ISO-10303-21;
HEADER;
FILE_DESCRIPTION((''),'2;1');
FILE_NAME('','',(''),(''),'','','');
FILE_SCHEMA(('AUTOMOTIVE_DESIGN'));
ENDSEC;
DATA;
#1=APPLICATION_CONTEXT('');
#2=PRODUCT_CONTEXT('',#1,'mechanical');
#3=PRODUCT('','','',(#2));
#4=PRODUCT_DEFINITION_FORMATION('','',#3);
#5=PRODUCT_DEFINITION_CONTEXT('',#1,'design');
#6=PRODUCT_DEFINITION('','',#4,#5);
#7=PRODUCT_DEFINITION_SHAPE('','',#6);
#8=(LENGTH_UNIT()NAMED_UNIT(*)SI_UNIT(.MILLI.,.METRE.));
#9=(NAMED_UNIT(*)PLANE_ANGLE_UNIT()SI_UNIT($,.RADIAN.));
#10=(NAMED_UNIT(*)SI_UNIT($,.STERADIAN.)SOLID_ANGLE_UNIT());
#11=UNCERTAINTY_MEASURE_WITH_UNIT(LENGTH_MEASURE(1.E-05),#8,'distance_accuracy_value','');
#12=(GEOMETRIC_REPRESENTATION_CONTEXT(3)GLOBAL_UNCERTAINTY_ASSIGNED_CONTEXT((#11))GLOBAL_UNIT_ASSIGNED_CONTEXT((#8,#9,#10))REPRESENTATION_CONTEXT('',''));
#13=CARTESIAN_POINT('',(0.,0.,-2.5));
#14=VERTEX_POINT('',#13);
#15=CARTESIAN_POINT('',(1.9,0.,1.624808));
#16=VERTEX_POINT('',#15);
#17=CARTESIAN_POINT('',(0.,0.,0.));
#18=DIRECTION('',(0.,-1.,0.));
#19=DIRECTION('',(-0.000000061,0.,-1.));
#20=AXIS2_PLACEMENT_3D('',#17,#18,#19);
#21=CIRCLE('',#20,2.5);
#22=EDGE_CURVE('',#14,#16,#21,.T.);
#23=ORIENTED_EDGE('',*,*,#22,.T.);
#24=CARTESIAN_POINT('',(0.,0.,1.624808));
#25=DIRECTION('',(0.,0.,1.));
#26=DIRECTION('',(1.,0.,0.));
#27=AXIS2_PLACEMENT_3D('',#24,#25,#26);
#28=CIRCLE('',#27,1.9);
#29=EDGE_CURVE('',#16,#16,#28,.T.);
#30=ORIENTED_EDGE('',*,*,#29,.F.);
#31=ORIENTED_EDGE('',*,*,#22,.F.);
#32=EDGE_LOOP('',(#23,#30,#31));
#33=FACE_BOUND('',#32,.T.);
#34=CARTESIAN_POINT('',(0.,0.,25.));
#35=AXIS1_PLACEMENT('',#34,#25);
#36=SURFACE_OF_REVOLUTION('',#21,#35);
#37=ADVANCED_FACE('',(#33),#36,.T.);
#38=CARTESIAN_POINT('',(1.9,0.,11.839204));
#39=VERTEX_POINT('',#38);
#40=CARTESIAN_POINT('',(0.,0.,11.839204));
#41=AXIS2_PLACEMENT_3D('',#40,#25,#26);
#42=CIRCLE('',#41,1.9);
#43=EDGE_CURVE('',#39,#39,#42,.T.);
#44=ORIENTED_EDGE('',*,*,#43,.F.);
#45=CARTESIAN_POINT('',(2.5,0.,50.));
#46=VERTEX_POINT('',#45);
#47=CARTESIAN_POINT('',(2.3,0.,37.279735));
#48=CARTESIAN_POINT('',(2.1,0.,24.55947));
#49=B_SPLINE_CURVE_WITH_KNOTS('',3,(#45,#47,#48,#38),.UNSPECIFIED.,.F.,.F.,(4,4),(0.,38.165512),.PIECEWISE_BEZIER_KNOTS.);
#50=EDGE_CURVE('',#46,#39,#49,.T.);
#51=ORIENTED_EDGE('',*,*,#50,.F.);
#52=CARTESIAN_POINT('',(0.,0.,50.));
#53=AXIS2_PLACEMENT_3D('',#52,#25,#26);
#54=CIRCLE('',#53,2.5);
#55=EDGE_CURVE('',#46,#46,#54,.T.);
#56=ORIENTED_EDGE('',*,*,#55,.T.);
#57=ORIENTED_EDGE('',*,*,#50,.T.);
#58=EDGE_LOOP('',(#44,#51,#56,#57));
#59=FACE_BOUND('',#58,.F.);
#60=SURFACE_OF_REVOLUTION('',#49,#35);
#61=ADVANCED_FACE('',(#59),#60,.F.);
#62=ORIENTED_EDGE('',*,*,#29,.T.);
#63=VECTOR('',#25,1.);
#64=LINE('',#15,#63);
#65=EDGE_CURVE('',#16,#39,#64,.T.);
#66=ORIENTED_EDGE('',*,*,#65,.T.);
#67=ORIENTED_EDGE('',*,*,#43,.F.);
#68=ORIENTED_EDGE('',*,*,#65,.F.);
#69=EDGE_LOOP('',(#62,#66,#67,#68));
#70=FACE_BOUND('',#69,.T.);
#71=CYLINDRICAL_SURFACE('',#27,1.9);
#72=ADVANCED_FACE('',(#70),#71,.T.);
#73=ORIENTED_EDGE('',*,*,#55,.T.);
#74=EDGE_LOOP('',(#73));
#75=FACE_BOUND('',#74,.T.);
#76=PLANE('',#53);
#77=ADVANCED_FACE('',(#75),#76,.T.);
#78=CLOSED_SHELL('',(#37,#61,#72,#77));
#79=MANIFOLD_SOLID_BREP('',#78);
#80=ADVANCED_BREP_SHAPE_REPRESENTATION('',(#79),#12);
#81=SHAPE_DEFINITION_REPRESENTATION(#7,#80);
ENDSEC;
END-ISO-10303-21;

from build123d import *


with BuildPart() as f1:
    # F0 (on Front) → F1 (revolve)
    with BuildSketch(Plane.XZ):
        with BuildLine():
            Line((0, 50), (0, 0))
            Line((0, 0), (0, -2.5))
            ThreePointArc((0, -2.5), (2.270685, -1.04594), (1.9, 1.624808))
            Line((1.9, 1.624808), (1.9, 11.839204))
            add(Edge.make_bspline(
                [(2.5, 50), (2.3, 37.279735), (2.1, 24.55947), (1.9, 11.839204)],
                knots=[0, 0, 0, 0, 38.165512, 38.165512, 38.165512, 38.165512], degree=3))
            Line((2.5, 50), (0, 50))
        make_face()
    revolve(axis=Axis((0, 0, 25), (0, 0, 1)))


solid = f1.part
